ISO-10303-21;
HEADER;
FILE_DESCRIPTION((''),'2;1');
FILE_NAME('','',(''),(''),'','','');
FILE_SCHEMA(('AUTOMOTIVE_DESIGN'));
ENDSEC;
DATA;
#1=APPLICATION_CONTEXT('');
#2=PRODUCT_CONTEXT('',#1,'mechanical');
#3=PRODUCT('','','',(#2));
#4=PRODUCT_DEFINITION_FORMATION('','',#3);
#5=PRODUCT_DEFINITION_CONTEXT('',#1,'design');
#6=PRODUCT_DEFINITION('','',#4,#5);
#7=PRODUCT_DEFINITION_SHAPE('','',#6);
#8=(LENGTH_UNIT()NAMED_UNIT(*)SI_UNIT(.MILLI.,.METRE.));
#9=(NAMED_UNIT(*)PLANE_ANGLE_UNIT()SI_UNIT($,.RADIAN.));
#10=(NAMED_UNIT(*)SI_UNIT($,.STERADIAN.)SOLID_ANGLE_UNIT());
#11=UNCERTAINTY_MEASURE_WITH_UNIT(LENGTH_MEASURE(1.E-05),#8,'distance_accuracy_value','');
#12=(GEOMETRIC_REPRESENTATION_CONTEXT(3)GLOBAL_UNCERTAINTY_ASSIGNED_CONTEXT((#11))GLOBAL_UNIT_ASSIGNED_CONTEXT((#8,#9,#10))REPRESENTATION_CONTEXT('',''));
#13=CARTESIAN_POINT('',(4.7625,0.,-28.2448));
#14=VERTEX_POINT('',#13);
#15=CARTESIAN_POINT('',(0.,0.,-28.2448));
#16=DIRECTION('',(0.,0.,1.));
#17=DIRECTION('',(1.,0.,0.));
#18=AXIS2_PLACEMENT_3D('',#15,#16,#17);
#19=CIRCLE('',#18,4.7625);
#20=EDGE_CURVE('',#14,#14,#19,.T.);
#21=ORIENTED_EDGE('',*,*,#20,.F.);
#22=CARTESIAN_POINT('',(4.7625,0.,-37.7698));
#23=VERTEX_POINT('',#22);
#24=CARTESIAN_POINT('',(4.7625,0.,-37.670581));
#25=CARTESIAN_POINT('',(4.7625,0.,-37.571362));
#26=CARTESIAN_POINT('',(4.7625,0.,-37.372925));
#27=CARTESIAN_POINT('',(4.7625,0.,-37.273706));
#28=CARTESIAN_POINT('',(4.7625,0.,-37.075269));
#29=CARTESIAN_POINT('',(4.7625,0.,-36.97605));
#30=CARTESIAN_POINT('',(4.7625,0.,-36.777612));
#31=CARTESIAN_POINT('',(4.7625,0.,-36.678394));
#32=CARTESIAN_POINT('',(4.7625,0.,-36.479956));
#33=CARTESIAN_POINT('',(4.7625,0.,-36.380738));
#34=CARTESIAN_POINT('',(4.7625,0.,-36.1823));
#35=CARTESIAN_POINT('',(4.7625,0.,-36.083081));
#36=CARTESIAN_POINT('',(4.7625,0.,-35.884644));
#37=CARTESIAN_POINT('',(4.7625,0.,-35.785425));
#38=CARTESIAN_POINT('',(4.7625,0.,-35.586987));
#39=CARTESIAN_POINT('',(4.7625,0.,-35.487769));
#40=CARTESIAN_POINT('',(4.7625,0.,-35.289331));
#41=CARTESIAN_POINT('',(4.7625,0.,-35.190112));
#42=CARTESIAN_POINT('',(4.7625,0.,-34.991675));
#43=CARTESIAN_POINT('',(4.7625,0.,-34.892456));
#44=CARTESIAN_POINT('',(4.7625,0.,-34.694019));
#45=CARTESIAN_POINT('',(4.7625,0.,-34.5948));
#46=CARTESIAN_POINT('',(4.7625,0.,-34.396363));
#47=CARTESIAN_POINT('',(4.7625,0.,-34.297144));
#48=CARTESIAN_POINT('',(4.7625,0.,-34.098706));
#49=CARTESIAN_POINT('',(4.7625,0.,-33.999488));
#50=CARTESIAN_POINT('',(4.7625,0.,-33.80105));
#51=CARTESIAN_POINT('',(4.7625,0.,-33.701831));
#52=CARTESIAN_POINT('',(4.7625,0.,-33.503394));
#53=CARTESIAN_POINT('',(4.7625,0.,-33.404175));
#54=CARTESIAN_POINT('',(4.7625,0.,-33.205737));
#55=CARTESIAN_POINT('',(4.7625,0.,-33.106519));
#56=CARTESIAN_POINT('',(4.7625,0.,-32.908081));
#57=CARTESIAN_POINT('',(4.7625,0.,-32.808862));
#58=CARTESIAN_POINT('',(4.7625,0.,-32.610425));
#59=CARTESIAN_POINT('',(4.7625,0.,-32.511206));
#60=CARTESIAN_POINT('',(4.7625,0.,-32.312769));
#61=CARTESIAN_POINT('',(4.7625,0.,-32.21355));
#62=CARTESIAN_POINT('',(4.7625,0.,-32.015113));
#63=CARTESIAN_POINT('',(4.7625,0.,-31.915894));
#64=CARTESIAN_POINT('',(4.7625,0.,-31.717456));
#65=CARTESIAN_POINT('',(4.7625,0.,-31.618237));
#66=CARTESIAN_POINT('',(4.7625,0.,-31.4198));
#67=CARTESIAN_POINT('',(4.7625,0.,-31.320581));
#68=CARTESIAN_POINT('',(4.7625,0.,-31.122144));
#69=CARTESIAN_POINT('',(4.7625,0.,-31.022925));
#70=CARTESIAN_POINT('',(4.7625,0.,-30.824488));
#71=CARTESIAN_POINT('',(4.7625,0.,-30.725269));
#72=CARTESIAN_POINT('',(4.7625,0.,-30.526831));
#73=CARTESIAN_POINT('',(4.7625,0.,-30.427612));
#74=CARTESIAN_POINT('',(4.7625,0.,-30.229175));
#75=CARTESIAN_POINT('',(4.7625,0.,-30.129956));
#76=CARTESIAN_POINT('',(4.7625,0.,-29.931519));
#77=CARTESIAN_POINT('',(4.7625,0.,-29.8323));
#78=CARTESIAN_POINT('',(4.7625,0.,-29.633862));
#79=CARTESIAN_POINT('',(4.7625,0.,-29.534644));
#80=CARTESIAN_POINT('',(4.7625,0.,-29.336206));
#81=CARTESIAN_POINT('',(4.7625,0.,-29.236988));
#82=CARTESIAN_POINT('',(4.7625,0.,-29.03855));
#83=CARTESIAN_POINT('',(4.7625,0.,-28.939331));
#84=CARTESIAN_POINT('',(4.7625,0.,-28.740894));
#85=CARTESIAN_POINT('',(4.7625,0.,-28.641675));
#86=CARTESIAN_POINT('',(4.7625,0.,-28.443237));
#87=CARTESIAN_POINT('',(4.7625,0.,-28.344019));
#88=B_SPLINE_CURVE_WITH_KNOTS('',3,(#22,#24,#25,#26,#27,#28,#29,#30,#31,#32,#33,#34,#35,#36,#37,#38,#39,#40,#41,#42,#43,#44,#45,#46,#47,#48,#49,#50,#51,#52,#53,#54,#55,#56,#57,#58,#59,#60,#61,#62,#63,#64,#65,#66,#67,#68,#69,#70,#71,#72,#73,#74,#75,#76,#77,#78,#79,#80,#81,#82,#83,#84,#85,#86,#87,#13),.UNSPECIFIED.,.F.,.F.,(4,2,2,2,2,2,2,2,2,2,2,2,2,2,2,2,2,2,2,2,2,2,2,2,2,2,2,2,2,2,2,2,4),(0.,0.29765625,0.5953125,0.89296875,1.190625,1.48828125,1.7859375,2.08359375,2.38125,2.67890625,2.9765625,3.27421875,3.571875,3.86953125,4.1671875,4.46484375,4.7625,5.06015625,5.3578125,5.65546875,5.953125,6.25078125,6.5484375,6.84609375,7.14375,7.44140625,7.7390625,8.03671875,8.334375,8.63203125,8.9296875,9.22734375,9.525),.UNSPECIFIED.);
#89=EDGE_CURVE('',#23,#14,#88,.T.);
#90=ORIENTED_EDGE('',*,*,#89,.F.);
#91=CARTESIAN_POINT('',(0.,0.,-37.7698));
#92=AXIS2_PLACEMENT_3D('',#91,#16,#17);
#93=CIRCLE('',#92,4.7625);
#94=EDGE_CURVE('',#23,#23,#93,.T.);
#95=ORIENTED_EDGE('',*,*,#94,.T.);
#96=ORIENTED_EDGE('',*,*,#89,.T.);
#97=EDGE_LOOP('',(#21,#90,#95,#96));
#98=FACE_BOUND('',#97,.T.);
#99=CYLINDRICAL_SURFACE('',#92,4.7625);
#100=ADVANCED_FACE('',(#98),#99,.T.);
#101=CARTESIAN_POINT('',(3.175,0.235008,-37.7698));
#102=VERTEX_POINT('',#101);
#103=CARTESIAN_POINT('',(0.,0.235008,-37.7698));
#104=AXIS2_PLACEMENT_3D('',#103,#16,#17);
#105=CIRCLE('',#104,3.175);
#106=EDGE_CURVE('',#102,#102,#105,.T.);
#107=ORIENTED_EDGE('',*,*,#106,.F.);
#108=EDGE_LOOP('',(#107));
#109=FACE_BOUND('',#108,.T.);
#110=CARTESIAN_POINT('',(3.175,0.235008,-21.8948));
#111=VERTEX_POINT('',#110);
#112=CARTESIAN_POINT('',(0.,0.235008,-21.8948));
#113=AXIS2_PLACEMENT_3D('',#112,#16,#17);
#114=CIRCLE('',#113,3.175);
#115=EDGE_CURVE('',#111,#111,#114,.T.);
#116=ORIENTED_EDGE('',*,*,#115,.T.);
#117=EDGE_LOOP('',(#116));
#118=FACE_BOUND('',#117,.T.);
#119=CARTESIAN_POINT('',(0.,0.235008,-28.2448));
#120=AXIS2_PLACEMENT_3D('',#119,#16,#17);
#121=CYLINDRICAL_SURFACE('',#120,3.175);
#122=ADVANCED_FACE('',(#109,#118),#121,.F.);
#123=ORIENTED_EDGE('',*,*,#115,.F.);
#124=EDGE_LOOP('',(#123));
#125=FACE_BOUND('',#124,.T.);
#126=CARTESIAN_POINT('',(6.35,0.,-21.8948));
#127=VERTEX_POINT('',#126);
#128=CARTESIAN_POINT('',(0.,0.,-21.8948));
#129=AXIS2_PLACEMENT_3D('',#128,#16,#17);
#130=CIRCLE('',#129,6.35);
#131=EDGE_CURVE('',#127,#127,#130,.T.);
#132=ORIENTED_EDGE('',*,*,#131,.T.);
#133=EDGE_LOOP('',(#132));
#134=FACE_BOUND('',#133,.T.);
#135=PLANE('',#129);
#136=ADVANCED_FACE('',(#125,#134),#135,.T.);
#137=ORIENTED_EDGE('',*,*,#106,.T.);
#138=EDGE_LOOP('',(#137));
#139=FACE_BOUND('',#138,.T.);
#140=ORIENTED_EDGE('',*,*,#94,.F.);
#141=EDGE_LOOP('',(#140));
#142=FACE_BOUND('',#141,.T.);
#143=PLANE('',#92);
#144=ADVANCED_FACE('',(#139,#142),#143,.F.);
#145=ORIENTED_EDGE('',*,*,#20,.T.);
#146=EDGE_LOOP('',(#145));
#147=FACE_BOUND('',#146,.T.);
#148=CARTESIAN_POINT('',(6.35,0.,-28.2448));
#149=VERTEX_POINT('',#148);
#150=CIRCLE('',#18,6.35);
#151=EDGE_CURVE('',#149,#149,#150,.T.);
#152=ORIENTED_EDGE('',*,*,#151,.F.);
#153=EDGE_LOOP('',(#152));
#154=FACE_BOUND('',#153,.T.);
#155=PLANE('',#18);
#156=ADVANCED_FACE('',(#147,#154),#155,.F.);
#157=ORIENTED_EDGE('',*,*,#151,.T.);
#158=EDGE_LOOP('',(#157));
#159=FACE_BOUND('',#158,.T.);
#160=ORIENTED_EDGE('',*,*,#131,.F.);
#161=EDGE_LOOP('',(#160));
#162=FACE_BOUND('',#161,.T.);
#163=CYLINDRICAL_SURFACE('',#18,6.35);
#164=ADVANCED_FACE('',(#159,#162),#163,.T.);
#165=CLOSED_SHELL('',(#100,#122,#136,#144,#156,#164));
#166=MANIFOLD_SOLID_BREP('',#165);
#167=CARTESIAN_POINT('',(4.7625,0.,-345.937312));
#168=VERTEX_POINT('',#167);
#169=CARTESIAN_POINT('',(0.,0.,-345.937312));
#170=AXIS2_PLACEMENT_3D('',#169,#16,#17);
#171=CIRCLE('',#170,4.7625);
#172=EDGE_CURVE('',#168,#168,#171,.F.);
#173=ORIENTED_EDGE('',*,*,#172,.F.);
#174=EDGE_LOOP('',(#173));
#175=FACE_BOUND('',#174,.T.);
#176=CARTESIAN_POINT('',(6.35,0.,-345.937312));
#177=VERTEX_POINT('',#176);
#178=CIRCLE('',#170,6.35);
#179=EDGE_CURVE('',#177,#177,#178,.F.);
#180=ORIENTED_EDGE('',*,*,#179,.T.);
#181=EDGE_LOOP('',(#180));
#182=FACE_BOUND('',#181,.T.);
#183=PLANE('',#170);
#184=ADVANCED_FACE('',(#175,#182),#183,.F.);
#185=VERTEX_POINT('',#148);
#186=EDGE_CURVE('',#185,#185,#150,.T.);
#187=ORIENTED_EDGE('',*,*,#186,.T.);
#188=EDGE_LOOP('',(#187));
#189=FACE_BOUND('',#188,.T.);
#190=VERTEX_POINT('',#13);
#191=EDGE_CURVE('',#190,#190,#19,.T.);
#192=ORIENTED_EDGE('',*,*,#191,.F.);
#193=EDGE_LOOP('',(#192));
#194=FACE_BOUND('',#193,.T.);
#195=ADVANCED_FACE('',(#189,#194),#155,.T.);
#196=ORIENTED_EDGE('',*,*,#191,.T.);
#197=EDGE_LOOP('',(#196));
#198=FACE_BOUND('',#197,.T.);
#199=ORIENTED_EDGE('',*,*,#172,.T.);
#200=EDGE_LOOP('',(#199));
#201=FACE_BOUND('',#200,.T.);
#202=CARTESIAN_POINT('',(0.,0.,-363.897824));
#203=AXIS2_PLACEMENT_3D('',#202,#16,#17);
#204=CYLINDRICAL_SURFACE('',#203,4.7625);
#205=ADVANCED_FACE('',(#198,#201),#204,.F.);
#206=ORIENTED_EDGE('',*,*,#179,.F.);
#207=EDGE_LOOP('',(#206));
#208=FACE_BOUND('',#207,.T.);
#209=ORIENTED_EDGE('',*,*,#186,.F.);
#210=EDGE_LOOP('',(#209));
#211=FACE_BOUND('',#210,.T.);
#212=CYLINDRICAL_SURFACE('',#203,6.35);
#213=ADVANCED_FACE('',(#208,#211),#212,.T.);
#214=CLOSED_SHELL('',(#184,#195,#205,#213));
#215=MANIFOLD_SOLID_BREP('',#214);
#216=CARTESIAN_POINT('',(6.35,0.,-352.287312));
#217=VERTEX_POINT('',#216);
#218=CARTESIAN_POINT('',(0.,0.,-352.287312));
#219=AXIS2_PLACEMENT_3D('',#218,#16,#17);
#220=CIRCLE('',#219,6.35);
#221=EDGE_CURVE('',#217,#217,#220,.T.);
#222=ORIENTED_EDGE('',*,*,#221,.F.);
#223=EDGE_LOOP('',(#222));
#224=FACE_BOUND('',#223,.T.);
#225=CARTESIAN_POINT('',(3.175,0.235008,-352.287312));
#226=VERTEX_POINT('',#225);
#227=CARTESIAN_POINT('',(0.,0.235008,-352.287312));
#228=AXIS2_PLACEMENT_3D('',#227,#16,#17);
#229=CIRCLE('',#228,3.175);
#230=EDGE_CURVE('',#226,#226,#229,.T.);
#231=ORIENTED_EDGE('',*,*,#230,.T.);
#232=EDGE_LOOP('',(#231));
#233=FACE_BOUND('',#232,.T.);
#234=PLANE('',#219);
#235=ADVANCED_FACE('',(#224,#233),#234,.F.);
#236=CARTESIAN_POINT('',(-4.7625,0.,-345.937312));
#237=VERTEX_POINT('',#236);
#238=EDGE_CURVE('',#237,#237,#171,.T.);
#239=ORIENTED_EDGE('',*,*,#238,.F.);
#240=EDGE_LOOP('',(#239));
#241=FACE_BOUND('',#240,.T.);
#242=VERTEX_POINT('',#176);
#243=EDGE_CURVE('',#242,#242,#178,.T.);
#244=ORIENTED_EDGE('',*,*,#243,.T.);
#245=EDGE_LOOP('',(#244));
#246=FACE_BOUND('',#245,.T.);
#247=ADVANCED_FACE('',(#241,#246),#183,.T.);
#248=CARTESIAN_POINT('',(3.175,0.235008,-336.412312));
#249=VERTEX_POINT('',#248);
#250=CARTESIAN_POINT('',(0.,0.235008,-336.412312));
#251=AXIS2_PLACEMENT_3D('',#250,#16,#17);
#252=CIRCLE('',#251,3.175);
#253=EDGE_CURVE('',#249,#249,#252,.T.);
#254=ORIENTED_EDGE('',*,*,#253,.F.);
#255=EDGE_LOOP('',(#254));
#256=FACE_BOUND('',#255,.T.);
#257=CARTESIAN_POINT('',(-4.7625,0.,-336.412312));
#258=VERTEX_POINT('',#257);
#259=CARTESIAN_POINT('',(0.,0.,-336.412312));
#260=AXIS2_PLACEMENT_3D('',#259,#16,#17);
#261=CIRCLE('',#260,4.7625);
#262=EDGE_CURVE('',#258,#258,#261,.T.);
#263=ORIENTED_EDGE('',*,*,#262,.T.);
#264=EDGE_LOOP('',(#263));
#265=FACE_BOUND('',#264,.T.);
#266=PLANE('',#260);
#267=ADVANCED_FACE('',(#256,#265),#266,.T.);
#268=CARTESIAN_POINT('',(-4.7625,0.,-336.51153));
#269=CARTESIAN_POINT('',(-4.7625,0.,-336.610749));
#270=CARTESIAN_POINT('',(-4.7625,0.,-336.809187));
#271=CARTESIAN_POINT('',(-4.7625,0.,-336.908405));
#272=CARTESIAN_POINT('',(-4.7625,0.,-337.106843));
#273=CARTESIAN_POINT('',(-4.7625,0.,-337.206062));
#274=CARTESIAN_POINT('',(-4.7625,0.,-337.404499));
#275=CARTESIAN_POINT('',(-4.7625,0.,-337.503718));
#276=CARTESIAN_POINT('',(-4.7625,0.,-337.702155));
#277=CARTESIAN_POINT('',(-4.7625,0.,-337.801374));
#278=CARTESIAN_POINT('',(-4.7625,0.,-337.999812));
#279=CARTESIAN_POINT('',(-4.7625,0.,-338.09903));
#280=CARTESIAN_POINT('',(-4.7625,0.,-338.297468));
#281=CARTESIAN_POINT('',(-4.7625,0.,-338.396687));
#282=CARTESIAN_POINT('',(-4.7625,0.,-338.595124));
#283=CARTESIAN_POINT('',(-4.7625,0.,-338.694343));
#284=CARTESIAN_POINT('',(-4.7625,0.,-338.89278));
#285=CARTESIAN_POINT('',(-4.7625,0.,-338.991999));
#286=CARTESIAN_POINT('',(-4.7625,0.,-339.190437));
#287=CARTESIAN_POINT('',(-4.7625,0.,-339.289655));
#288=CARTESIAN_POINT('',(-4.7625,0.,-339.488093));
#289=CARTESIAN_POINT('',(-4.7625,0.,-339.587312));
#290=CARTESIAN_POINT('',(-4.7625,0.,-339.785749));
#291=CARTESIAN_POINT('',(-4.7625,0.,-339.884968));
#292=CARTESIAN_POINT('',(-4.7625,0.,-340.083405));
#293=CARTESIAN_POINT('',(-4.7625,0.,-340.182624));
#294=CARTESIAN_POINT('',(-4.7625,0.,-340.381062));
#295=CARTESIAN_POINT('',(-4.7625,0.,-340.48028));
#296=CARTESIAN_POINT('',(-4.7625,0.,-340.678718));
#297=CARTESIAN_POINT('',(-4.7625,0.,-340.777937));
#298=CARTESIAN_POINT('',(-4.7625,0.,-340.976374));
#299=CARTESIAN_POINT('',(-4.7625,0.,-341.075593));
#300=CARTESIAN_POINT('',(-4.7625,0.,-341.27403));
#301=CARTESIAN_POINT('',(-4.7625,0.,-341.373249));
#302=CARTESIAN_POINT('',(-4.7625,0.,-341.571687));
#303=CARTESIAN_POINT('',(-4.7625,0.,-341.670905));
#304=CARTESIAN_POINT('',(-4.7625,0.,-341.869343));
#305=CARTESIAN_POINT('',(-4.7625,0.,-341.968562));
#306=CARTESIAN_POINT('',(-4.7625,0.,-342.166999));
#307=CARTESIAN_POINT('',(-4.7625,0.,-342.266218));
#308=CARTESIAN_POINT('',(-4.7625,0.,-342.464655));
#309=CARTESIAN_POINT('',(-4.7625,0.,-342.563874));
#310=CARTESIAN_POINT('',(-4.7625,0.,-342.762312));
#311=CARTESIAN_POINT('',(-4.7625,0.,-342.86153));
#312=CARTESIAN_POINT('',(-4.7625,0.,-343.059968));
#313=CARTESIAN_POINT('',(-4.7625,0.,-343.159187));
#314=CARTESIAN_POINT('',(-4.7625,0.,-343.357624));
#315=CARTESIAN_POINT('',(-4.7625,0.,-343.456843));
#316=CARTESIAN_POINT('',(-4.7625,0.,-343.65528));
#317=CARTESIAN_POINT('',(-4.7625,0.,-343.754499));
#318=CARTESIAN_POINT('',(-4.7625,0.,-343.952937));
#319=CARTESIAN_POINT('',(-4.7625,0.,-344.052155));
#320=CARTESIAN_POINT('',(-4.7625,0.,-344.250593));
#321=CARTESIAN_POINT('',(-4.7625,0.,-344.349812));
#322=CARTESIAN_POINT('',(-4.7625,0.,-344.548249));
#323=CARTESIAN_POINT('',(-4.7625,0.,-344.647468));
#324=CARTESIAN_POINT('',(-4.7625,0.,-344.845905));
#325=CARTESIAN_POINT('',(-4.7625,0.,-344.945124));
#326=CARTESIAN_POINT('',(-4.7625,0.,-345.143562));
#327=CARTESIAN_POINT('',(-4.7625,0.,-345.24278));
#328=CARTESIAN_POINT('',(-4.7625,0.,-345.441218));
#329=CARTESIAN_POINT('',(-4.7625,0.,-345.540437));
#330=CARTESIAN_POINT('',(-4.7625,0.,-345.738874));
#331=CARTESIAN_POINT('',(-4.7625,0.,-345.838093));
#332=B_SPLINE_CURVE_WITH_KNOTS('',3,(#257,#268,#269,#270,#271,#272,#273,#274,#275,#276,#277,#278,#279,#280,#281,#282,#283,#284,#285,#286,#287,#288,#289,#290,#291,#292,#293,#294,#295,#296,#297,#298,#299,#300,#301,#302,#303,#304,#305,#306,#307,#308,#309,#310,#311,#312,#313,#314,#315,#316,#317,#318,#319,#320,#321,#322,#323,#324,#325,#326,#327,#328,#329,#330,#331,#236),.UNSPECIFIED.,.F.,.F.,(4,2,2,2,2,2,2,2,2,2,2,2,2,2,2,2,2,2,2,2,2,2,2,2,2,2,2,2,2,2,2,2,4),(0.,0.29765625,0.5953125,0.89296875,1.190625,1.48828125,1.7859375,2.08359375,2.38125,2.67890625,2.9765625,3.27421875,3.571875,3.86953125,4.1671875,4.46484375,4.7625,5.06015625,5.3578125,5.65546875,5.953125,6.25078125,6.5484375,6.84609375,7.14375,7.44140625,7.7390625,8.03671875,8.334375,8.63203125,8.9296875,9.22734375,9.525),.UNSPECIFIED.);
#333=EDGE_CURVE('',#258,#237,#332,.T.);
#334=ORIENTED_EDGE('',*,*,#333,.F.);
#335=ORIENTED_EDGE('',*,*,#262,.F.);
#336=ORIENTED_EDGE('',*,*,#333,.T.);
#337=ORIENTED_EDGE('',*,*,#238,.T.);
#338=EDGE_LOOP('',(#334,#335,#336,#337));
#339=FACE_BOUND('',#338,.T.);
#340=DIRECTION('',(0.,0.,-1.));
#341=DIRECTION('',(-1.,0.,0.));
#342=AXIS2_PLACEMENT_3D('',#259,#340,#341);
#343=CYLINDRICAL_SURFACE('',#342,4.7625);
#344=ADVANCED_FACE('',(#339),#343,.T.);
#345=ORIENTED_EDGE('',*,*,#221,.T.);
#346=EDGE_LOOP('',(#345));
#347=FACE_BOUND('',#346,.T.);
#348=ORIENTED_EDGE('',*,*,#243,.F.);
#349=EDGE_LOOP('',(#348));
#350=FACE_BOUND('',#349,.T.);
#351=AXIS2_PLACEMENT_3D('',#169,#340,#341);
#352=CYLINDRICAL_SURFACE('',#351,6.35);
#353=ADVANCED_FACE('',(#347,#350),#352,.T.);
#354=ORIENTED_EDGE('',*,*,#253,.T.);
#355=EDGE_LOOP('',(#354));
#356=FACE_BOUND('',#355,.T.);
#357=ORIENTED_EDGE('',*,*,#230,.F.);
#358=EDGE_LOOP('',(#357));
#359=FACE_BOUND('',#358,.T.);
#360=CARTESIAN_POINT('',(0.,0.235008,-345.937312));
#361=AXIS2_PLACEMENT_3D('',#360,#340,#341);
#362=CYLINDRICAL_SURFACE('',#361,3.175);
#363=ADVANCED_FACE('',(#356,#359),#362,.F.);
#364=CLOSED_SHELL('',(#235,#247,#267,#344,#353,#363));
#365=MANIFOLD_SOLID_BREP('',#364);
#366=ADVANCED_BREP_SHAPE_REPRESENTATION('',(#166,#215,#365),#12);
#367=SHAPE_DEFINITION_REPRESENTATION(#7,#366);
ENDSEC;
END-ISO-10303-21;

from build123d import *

# Parameters (mm, degrees)
THREADED_START            = -21.8948
SKETCH2_R                 = 6.35
SKETCH2_R_2               = 4.7625
SKETCH2_R_3               = 3.175
THREADED_INSERT_1_1_DEPTH = 6.35
THREADED_START_2          = -28.2448
SKETCH2_5_R               = 4.7625
SKETCH2_5_R_2             = 3.175
THREADED_INSERT_1_2_DEPTH = 9.525
BOSS_EXTRUDE4_START       = -352.287312
SKETCH2_7_R               = 6.35
SKETCH2_7_R_2             = 4.7625
SKETCH2_7_R_3             = 3.175
BOSS_EXTRUDE4_DEPTH       = 6.35
BOSS_EXTRUDE5_START       = -336.412312
SKETCH2_8_R               = 4.7625
SKETCH2_8_R_2             = 3.175
BOSS_EXTRUDE5_DEPTH       = 9.525
BOSS_EXTRUDE6_START       = -28.2448
SKETCH2_9_R               = 6.35
SKETCH2_9_R_2             = 4.7625
BOSS_EXTRUDE6_DEPTH       = 317.692511614


with BuildPart() as part:
    # Sketch2 → Threaded Insert 1-1 (new body)
    # profile 1 of 2: a face of its own
    with BuildSketch(Plane.XY.offset(THREADED_START)):
        Circle(SKETCH2_R)
        Circle(SKETCH2_R_2, mode=Mode.SUBTRACT)
    # profile 2 of 2: a face of its own
    with BuildSketch(Plane.XY.offset(THREADED_START)):
        Circle(SKETCH2_R_2)
        with Locations((0, 0.235008439)):
            Circle(SKETCH2_R_3, mode=Mode.SUBTRACT)
    extrude(amount=-THREADED_INSERT_1_1_DEPTH)

    # Sketch2<5> → Threaded Insert 1-2 (add)
    with BuildSketch(Plane.XY.offset(THREADED_START_2)):
        Circle(SKETCH2_5_R)
        with Locations((0, 0.235008439)):
            Circle(SKETCH2_5_R_2, mode=Mode.SUBTRACT)
    extrude(amount=-THREADED_INSERT_1_2_DEPTH)


with BuildPart() as body_2:
    # Sketch2<7> → Boss-Extrude4 (new body)
    # profile 1 of 2: a face of its own
    with BuildSketch(Plane.XY.offset(BOSS_EXTRUDE4_START)):
        Circle(SKETCH2_7_R)
        Circle(SKETCH2_7_R_2, mode=Mode.SUBTRACT)
    # profile 2 of 2: a face of its own
    with BuildSketch(Plane.XY.offset(BOSS_EXTRUDE4_START)):
        Circle(SKETCH2_7_R_2)
        with Locations((0, 0.235008439)):
            Circle(SKETCH2_7_R_3, mode=Mode.SUBTRACT)
    extrude(amount=BOSS_EXTRUDE4_DEPTH)

    # Sketch2<8> → Boss-Extrude5 (add)
    with BuildSketch(Plane.XY.offset(BOSS_EXTRUDE5_START)):
        with Locations(Location((0, 0, 0), (0, 0, 180))):
            Circle(SKETCH2_8_R)
        with Locations((0, 0.235008439)):
            Circle(SKETCH2_8_R_2, mode=Mode.SUBTRACT)
    extrude(amount=-BOSS_EXTRUDE5_DEPTH)


with BuildPart() as body_3:
    # Sketch2<9> → Boss-Extrude6 (new body)
    with BuildSketch(Plane.XY.offset(BOSS_EXTRUDE6_START)):
        Circle(SKETCH2_9_R)
        Circle(SKETCH2_9_R_2, mode=Mode.SUBTRACT)
    extrude(amount=-BOSS_EXTRUDE6_DEPTH)


solid = Compound([part.part, body_2.part, body_3.part])
